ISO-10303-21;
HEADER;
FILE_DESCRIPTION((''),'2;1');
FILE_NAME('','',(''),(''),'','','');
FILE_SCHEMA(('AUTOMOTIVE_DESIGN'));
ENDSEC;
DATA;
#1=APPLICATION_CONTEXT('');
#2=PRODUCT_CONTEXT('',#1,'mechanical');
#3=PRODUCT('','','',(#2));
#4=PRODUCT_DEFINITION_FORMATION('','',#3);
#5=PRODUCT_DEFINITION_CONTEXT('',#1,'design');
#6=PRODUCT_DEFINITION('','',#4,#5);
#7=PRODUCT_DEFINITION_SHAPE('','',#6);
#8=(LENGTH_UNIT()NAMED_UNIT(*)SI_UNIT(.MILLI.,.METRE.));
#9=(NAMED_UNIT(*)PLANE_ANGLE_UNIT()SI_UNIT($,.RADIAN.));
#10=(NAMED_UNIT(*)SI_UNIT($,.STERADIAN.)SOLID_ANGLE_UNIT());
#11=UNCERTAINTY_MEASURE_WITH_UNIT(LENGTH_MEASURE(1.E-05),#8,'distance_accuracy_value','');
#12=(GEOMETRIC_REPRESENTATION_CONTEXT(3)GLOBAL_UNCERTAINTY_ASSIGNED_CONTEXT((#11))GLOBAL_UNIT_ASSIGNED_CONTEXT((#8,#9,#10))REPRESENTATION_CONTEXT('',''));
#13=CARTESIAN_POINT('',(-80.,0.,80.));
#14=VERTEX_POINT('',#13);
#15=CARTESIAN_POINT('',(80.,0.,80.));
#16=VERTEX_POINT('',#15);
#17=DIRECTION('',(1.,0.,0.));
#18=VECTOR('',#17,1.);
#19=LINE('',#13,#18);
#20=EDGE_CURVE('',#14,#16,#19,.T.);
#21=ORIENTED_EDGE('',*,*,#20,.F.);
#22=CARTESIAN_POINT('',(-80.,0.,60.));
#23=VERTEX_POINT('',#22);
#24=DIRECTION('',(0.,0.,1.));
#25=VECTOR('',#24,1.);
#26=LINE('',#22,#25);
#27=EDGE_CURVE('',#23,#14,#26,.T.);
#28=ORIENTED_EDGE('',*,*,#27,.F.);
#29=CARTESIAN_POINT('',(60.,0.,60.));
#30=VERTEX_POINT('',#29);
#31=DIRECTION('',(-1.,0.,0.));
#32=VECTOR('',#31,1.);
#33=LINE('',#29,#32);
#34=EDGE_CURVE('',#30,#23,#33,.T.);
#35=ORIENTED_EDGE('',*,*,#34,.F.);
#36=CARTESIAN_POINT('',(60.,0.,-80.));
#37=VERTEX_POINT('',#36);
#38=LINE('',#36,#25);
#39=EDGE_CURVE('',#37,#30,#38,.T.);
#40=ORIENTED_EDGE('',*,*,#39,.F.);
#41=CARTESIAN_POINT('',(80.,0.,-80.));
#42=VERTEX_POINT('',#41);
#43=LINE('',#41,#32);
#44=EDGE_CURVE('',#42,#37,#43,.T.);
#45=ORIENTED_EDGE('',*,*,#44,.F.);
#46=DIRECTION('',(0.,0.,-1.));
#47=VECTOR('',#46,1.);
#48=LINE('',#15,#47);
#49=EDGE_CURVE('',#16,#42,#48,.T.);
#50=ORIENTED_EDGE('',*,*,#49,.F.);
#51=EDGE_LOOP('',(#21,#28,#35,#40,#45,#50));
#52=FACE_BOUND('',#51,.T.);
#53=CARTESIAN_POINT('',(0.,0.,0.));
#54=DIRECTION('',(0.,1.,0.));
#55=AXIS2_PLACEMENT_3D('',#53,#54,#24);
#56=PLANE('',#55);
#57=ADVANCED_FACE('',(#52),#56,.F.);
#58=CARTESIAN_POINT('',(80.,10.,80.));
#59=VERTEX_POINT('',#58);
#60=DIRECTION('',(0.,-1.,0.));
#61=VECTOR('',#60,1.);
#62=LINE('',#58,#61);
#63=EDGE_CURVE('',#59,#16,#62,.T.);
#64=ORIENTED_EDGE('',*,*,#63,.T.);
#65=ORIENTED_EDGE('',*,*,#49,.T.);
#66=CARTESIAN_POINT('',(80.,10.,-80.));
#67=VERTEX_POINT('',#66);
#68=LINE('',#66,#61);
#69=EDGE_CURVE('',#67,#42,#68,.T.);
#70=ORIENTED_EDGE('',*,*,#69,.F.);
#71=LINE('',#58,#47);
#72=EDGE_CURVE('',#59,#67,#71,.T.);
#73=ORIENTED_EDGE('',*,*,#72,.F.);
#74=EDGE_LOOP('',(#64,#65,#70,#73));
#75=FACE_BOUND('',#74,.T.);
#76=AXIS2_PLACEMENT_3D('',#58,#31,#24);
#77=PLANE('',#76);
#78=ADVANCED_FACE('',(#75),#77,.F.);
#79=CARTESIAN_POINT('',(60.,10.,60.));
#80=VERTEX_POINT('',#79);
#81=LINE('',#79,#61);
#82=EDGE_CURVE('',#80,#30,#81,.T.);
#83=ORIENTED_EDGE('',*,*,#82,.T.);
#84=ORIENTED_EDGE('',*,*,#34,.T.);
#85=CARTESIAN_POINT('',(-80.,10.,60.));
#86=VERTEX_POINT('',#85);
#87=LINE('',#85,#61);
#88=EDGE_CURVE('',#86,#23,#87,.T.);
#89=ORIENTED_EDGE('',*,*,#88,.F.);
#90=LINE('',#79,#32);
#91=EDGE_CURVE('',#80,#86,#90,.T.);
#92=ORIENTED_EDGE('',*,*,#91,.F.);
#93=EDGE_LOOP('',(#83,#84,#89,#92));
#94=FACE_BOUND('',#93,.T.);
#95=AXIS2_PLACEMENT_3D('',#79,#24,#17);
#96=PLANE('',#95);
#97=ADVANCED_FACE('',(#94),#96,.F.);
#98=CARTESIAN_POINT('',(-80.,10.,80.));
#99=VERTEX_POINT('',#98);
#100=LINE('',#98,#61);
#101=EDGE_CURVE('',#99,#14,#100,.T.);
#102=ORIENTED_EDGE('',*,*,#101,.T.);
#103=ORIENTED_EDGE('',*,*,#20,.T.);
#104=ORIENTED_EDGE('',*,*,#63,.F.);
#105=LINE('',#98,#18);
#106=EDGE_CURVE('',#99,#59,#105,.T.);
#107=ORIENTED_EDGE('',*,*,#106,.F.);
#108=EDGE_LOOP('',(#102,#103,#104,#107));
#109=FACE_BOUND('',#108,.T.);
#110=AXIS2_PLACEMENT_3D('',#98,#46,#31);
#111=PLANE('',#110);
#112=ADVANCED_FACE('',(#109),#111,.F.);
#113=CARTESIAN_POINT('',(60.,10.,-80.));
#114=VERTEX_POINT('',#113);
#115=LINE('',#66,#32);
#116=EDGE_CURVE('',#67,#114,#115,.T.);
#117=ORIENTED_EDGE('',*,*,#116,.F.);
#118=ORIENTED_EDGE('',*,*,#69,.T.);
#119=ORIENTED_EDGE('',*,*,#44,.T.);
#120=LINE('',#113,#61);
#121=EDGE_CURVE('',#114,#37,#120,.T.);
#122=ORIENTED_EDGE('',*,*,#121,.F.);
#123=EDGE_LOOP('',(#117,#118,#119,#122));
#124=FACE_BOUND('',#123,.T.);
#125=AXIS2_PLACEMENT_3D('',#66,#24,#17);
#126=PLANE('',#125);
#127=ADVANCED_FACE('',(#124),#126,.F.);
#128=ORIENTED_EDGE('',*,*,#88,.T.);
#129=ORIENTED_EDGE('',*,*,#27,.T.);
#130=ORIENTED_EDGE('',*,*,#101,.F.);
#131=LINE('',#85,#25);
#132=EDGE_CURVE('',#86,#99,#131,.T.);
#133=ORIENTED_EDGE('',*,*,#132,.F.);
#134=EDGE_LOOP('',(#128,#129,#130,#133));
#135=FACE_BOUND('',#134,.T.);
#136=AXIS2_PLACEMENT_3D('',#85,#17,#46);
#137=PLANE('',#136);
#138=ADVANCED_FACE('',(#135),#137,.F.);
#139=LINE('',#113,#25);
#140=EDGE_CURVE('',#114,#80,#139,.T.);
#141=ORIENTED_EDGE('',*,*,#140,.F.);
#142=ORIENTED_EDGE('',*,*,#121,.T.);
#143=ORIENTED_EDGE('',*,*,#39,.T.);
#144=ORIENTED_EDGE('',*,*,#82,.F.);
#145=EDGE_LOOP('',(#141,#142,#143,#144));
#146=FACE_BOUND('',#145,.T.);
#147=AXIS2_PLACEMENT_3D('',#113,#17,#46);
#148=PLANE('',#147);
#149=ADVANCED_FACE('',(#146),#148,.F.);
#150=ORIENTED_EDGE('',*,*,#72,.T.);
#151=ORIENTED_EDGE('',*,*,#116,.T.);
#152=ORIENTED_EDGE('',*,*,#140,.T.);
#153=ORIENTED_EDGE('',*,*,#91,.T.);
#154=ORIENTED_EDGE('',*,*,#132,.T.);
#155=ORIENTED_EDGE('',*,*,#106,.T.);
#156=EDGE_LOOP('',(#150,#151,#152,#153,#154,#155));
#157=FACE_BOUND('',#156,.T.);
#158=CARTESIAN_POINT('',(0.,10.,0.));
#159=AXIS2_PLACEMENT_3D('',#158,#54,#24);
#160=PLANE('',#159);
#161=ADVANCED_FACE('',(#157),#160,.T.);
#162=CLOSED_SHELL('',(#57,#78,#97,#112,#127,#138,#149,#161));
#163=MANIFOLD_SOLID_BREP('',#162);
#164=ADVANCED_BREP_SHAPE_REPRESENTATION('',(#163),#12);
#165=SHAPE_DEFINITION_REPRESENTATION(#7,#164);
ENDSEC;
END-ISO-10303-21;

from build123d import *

# Parameters (mm, degrees)
BOSS_EXTRUDE1_DEPTH = 10


with BuildPart() as part:
    # Sketch1 → Boss-Extrude1 (new body)
    with BuildSketch(Plane(origin=(0, 0, 0), x_dir=(1, 0, 0), z_dir=(0, 1, 0))):
        Polygon((-80, -80), (80, -80), (80, 80), (60, 80), (60, -60), (-80, -60), align=None)
    extrude(amount=BOSS_EXTRUDE1_DEPTH)


solid = part.part
